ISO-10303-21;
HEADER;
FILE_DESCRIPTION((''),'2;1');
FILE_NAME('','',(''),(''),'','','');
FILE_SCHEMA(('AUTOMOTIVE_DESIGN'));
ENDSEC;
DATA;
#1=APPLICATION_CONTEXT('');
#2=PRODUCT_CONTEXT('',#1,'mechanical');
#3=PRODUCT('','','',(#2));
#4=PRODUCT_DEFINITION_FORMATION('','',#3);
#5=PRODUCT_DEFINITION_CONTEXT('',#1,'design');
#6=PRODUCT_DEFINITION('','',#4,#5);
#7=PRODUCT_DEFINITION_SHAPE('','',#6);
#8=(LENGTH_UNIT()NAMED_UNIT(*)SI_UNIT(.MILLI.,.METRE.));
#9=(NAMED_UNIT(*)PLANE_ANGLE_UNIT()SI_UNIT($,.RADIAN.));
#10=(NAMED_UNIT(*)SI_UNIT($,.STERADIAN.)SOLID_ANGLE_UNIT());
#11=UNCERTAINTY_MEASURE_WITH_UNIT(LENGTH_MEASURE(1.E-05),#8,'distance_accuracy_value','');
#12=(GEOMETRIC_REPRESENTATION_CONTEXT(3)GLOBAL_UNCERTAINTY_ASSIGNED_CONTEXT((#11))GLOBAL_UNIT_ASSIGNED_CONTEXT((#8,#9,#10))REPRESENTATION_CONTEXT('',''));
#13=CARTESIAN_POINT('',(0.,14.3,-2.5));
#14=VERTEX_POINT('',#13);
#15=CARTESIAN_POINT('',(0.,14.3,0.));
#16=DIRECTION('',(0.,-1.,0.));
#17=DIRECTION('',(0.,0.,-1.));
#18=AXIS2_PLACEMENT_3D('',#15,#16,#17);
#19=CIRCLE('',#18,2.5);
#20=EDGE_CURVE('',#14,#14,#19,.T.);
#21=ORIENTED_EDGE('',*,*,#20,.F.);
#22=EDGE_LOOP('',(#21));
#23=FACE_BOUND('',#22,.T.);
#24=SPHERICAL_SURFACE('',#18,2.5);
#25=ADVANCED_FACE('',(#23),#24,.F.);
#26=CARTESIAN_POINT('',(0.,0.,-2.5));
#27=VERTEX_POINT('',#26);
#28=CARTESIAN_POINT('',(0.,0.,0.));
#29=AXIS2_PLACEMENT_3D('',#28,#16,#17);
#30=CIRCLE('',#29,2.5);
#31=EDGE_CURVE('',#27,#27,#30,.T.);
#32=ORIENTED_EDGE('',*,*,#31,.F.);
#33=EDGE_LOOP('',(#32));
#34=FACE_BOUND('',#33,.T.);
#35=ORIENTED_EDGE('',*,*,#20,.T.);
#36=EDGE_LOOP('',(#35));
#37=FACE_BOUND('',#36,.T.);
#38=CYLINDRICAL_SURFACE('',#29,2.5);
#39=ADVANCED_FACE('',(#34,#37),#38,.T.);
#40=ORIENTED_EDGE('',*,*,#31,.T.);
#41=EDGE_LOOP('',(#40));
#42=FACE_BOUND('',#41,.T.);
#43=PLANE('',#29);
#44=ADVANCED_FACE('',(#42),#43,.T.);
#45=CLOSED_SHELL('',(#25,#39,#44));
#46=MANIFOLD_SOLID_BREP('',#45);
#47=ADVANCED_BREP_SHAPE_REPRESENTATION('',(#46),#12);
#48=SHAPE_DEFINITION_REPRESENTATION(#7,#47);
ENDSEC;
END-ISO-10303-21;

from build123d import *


with BuildPart() as part:
    # Sketch2 → Revolve1 (revolve)
    with BuildSketch(Plane(origin=(0, 0, 0), x_dir=(0, 0, -1), z_dir=(1, 0, 0))):
        with BuildLine():
            Line((0, 0), (2.5, 0))
            Line((2.5, 0), (2.5, 14.3))
            ThreePointArc((2.5, 14.3), (1.767766953, 12.532233047), (0, 11.8))
            Line((0, 11.8), (0, 0))
        make_face()
    revolve(axis=Axis((0, 0, 0), (0, 1, 0)))


solid = part.part
